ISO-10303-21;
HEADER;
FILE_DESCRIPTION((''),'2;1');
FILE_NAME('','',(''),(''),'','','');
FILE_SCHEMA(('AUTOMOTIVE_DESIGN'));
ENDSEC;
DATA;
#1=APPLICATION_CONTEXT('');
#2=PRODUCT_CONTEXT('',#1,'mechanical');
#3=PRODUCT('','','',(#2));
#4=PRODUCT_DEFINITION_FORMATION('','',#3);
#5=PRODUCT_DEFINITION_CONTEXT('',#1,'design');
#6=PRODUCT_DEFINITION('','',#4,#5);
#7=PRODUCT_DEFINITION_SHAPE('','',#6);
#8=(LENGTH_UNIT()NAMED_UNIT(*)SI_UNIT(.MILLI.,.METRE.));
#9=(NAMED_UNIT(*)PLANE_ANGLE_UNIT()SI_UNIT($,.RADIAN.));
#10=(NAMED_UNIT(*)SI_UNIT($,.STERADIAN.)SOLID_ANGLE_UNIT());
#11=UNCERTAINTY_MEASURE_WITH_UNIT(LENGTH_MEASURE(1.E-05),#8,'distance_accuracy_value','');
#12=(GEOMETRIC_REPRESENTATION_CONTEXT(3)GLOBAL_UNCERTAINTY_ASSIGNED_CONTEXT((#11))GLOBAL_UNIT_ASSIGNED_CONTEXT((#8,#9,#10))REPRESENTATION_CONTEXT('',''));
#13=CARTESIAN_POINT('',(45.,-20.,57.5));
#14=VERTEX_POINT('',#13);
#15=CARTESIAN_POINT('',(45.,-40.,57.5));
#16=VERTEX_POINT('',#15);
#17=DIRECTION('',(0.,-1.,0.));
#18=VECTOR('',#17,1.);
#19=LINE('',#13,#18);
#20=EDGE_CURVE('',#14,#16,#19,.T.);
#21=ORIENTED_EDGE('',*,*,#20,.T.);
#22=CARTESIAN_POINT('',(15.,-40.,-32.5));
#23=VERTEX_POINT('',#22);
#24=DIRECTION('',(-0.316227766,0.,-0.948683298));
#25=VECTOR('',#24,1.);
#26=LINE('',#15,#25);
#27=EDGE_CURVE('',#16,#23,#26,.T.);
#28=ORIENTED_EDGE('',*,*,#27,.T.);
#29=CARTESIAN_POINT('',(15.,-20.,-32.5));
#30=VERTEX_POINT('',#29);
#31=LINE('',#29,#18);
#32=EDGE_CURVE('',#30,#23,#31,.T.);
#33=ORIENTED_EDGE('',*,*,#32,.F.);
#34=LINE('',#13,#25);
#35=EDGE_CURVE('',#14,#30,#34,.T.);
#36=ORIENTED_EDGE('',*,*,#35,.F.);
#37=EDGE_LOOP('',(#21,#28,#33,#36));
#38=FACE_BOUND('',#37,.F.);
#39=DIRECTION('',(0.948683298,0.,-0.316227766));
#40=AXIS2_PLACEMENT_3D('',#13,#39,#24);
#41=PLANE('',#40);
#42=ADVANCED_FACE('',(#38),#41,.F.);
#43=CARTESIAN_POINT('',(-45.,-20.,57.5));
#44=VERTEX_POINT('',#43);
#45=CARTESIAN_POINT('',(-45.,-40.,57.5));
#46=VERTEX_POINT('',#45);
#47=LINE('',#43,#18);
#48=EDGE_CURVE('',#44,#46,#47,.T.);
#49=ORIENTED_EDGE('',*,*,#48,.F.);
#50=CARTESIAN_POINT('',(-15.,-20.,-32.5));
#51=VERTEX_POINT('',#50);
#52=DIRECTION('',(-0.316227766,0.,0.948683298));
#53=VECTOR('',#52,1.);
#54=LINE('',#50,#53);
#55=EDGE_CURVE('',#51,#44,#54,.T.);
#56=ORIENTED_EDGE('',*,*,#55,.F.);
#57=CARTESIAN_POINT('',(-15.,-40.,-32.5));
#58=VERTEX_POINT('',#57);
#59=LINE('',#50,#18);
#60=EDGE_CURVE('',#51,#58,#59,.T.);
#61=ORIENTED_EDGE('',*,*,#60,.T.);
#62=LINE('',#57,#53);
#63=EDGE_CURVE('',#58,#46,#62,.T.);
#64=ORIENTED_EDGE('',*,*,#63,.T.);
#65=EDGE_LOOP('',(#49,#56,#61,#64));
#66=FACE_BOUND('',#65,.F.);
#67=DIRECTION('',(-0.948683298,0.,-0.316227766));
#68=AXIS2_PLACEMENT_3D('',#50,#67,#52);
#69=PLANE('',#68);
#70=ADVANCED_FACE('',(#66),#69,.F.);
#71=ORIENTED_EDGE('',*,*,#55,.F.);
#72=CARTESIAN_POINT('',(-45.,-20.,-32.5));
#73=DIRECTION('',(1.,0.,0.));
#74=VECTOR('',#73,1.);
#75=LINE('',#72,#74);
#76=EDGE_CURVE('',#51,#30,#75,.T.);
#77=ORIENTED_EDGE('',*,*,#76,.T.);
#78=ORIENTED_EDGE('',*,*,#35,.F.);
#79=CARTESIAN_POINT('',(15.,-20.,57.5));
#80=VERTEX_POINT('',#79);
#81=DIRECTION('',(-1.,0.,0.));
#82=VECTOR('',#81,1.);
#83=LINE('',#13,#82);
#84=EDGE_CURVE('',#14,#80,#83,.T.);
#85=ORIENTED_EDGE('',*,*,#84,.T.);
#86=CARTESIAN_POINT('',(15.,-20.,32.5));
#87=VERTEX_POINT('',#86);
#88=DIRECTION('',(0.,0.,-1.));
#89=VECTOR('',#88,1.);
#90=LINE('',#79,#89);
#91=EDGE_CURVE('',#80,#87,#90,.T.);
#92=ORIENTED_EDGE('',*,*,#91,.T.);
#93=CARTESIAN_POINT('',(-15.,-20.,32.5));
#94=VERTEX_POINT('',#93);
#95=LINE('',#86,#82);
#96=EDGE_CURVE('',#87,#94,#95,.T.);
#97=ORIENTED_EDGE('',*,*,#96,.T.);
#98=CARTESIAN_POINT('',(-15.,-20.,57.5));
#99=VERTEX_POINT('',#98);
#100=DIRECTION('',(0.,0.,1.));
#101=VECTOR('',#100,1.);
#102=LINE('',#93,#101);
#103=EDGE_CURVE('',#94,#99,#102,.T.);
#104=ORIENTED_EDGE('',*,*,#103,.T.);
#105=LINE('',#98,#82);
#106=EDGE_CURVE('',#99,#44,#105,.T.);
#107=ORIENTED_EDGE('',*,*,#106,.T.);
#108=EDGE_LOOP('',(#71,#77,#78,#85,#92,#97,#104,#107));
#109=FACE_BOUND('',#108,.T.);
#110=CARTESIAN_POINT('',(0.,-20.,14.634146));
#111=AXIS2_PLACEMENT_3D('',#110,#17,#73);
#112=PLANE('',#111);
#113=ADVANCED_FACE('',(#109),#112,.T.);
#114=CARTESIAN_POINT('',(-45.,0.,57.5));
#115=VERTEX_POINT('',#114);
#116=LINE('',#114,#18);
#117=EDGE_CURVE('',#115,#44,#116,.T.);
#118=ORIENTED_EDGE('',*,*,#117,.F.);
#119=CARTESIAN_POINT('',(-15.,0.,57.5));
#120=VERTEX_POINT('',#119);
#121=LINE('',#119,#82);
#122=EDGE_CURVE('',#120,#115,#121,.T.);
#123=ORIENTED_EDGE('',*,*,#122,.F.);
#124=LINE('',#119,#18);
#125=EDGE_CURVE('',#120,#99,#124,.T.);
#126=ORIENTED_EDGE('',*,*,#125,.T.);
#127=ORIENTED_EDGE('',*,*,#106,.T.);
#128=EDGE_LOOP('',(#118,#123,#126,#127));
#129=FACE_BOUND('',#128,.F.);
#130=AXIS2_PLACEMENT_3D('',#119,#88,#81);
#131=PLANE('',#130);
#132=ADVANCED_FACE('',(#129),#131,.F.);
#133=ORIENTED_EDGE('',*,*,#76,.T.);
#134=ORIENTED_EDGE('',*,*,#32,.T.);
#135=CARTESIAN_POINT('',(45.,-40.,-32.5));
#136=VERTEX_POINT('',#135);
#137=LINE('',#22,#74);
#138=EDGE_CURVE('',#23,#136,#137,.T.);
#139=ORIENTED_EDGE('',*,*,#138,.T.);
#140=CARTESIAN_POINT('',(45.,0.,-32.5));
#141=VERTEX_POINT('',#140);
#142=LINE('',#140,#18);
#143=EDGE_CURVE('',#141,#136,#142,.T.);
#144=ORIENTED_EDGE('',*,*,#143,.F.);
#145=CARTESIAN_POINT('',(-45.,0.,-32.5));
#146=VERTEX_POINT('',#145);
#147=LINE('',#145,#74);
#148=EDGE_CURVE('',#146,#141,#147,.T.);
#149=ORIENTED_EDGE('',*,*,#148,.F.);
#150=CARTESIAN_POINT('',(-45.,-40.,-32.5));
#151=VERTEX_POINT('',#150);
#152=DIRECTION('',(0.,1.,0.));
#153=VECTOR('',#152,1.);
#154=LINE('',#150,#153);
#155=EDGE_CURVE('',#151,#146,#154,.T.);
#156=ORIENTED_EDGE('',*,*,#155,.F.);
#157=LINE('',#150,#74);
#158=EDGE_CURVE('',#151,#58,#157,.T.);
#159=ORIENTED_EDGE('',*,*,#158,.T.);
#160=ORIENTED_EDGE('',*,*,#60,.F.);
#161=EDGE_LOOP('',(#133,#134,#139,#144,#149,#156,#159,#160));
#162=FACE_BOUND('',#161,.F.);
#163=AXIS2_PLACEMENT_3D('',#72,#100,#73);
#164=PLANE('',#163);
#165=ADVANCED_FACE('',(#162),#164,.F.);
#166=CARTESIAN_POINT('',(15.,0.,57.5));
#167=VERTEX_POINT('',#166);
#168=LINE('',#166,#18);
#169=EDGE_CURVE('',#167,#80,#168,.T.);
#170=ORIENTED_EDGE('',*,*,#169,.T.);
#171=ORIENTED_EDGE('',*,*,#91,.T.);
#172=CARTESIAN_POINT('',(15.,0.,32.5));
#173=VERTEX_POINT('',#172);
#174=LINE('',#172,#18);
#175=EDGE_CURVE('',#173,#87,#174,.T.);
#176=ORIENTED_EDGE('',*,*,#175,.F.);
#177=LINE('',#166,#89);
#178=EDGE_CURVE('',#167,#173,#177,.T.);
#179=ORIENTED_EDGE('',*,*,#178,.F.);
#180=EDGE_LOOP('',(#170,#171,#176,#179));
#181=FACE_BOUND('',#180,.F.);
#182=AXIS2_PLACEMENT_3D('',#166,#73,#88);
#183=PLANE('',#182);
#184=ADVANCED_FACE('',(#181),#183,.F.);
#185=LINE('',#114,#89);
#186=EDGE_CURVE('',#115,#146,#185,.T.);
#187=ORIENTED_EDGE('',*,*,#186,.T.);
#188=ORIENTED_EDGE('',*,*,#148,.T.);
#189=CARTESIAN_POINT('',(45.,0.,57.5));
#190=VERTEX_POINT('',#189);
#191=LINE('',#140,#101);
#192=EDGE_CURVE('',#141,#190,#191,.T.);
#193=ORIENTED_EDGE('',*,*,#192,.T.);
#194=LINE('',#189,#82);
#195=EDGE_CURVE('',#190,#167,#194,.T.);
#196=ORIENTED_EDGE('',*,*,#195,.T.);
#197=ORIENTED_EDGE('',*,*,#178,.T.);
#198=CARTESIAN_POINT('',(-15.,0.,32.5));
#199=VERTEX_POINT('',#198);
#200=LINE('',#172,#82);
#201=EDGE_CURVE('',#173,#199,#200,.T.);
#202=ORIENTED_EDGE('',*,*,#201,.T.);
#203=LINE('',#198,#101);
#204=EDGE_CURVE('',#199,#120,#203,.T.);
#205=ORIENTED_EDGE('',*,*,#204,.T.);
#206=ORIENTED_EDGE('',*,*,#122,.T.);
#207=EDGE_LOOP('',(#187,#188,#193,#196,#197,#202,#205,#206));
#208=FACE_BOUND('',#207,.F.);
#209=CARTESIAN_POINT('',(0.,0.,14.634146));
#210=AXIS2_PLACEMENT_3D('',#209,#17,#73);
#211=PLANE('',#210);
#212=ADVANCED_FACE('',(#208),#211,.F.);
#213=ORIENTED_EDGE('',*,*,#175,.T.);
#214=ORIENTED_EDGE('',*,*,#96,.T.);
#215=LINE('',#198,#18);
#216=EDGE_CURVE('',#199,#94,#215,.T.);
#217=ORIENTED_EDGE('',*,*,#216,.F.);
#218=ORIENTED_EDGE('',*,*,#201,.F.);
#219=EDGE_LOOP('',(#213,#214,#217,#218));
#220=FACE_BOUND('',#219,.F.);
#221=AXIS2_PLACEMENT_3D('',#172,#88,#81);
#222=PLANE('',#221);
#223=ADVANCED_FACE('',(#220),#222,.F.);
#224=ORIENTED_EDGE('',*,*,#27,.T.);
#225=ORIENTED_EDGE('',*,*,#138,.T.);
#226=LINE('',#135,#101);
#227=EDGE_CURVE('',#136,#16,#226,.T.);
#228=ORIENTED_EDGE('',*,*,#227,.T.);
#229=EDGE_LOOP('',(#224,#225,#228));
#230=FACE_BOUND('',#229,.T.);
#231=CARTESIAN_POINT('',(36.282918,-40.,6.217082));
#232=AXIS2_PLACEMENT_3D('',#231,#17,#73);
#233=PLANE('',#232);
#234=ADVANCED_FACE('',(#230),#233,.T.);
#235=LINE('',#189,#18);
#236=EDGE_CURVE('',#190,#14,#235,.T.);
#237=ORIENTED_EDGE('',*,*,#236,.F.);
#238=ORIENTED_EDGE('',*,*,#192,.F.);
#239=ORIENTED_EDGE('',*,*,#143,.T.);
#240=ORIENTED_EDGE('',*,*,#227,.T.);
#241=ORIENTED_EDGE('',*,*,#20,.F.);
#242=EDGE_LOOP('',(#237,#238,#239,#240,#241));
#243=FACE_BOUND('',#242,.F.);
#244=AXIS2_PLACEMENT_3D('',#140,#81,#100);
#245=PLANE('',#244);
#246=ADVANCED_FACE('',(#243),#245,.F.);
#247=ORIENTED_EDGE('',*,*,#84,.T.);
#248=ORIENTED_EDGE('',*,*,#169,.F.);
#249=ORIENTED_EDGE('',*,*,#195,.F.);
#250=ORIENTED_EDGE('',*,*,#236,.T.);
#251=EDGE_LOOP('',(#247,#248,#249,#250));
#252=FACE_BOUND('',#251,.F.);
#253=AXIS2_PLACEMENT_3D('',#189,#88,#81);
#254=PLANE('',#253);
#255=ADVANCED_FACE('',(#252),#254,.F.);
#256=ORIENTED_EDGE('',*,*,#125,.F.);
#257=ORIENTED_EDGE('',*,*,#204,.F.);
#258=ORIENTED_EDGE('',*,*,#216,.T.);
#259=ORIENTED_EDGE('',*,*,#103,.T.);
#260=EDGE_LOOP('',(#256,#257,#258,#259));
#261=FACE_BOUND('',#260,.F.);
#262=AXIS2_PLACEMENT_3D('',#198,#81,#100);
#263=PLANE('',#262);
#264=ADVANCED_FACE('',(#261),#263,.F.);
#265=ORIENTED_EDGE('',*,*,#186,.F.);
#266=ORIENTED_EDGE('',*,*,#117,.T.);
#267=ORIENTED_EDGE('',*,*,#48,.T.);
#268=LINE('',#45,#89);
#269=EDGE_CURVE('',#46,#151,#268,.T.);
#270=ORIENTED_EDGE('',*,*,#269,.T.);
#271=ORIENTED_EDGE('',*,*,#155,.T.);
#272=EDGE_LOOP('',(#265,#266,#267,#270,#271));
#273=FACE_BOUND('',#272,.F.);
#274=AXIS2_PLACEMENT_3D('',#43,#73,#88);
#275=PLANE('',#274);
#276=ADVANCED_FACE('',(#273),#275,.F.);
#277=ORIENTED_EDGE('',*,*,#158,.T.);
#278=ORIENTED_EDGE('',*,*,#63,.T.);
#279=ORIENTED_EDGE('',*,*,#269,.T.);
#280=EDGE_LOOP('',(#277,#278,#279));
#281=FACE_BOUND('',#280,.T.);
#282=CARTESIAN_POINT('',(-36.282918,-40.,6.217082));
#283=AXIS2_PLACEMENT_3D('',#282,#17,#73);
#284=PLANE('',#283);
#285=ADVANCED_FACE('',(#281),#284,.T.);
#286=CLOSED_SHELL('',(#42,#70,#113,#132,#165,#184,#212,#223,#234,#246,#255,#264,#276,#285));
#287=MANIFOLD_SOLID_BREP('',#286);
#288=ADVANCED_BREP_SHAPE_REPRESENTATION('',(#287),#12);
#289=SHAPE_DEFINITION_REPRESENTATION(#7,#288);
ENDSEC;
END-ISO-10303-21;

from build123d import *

# Parameters (mm, degrees)
F1_DEPTH = 20
F3_DEPTH = 20


with BuildPart() as f1:
    # F0 (on Front) → F1 (new body)
    with BuildSketch(Plane.XZ):
        Polygon((15, 32.5), (-15, 32.5), (-15, 57.5), (-45, 57.5), (-45, 32.5), (-45, -32.5), (45, -32.5), (45, 32.5), (45, 57.5), (15, 57.5), align=None)
    extrude(amount=F1_DEPTH)

    # F2 (on face) → F3 (join)
    with BuildSketch(Plane.XZ.offset(20)):
        Polygon((-15, -32.5), (-45, 57.5), (-45, -32.5), align=None)
        Polygon((45, 57.5), (15, -32.5), (45, -32.5), align=None)
    extrude(amount=F3_DEPTH)


solid = f1.part
